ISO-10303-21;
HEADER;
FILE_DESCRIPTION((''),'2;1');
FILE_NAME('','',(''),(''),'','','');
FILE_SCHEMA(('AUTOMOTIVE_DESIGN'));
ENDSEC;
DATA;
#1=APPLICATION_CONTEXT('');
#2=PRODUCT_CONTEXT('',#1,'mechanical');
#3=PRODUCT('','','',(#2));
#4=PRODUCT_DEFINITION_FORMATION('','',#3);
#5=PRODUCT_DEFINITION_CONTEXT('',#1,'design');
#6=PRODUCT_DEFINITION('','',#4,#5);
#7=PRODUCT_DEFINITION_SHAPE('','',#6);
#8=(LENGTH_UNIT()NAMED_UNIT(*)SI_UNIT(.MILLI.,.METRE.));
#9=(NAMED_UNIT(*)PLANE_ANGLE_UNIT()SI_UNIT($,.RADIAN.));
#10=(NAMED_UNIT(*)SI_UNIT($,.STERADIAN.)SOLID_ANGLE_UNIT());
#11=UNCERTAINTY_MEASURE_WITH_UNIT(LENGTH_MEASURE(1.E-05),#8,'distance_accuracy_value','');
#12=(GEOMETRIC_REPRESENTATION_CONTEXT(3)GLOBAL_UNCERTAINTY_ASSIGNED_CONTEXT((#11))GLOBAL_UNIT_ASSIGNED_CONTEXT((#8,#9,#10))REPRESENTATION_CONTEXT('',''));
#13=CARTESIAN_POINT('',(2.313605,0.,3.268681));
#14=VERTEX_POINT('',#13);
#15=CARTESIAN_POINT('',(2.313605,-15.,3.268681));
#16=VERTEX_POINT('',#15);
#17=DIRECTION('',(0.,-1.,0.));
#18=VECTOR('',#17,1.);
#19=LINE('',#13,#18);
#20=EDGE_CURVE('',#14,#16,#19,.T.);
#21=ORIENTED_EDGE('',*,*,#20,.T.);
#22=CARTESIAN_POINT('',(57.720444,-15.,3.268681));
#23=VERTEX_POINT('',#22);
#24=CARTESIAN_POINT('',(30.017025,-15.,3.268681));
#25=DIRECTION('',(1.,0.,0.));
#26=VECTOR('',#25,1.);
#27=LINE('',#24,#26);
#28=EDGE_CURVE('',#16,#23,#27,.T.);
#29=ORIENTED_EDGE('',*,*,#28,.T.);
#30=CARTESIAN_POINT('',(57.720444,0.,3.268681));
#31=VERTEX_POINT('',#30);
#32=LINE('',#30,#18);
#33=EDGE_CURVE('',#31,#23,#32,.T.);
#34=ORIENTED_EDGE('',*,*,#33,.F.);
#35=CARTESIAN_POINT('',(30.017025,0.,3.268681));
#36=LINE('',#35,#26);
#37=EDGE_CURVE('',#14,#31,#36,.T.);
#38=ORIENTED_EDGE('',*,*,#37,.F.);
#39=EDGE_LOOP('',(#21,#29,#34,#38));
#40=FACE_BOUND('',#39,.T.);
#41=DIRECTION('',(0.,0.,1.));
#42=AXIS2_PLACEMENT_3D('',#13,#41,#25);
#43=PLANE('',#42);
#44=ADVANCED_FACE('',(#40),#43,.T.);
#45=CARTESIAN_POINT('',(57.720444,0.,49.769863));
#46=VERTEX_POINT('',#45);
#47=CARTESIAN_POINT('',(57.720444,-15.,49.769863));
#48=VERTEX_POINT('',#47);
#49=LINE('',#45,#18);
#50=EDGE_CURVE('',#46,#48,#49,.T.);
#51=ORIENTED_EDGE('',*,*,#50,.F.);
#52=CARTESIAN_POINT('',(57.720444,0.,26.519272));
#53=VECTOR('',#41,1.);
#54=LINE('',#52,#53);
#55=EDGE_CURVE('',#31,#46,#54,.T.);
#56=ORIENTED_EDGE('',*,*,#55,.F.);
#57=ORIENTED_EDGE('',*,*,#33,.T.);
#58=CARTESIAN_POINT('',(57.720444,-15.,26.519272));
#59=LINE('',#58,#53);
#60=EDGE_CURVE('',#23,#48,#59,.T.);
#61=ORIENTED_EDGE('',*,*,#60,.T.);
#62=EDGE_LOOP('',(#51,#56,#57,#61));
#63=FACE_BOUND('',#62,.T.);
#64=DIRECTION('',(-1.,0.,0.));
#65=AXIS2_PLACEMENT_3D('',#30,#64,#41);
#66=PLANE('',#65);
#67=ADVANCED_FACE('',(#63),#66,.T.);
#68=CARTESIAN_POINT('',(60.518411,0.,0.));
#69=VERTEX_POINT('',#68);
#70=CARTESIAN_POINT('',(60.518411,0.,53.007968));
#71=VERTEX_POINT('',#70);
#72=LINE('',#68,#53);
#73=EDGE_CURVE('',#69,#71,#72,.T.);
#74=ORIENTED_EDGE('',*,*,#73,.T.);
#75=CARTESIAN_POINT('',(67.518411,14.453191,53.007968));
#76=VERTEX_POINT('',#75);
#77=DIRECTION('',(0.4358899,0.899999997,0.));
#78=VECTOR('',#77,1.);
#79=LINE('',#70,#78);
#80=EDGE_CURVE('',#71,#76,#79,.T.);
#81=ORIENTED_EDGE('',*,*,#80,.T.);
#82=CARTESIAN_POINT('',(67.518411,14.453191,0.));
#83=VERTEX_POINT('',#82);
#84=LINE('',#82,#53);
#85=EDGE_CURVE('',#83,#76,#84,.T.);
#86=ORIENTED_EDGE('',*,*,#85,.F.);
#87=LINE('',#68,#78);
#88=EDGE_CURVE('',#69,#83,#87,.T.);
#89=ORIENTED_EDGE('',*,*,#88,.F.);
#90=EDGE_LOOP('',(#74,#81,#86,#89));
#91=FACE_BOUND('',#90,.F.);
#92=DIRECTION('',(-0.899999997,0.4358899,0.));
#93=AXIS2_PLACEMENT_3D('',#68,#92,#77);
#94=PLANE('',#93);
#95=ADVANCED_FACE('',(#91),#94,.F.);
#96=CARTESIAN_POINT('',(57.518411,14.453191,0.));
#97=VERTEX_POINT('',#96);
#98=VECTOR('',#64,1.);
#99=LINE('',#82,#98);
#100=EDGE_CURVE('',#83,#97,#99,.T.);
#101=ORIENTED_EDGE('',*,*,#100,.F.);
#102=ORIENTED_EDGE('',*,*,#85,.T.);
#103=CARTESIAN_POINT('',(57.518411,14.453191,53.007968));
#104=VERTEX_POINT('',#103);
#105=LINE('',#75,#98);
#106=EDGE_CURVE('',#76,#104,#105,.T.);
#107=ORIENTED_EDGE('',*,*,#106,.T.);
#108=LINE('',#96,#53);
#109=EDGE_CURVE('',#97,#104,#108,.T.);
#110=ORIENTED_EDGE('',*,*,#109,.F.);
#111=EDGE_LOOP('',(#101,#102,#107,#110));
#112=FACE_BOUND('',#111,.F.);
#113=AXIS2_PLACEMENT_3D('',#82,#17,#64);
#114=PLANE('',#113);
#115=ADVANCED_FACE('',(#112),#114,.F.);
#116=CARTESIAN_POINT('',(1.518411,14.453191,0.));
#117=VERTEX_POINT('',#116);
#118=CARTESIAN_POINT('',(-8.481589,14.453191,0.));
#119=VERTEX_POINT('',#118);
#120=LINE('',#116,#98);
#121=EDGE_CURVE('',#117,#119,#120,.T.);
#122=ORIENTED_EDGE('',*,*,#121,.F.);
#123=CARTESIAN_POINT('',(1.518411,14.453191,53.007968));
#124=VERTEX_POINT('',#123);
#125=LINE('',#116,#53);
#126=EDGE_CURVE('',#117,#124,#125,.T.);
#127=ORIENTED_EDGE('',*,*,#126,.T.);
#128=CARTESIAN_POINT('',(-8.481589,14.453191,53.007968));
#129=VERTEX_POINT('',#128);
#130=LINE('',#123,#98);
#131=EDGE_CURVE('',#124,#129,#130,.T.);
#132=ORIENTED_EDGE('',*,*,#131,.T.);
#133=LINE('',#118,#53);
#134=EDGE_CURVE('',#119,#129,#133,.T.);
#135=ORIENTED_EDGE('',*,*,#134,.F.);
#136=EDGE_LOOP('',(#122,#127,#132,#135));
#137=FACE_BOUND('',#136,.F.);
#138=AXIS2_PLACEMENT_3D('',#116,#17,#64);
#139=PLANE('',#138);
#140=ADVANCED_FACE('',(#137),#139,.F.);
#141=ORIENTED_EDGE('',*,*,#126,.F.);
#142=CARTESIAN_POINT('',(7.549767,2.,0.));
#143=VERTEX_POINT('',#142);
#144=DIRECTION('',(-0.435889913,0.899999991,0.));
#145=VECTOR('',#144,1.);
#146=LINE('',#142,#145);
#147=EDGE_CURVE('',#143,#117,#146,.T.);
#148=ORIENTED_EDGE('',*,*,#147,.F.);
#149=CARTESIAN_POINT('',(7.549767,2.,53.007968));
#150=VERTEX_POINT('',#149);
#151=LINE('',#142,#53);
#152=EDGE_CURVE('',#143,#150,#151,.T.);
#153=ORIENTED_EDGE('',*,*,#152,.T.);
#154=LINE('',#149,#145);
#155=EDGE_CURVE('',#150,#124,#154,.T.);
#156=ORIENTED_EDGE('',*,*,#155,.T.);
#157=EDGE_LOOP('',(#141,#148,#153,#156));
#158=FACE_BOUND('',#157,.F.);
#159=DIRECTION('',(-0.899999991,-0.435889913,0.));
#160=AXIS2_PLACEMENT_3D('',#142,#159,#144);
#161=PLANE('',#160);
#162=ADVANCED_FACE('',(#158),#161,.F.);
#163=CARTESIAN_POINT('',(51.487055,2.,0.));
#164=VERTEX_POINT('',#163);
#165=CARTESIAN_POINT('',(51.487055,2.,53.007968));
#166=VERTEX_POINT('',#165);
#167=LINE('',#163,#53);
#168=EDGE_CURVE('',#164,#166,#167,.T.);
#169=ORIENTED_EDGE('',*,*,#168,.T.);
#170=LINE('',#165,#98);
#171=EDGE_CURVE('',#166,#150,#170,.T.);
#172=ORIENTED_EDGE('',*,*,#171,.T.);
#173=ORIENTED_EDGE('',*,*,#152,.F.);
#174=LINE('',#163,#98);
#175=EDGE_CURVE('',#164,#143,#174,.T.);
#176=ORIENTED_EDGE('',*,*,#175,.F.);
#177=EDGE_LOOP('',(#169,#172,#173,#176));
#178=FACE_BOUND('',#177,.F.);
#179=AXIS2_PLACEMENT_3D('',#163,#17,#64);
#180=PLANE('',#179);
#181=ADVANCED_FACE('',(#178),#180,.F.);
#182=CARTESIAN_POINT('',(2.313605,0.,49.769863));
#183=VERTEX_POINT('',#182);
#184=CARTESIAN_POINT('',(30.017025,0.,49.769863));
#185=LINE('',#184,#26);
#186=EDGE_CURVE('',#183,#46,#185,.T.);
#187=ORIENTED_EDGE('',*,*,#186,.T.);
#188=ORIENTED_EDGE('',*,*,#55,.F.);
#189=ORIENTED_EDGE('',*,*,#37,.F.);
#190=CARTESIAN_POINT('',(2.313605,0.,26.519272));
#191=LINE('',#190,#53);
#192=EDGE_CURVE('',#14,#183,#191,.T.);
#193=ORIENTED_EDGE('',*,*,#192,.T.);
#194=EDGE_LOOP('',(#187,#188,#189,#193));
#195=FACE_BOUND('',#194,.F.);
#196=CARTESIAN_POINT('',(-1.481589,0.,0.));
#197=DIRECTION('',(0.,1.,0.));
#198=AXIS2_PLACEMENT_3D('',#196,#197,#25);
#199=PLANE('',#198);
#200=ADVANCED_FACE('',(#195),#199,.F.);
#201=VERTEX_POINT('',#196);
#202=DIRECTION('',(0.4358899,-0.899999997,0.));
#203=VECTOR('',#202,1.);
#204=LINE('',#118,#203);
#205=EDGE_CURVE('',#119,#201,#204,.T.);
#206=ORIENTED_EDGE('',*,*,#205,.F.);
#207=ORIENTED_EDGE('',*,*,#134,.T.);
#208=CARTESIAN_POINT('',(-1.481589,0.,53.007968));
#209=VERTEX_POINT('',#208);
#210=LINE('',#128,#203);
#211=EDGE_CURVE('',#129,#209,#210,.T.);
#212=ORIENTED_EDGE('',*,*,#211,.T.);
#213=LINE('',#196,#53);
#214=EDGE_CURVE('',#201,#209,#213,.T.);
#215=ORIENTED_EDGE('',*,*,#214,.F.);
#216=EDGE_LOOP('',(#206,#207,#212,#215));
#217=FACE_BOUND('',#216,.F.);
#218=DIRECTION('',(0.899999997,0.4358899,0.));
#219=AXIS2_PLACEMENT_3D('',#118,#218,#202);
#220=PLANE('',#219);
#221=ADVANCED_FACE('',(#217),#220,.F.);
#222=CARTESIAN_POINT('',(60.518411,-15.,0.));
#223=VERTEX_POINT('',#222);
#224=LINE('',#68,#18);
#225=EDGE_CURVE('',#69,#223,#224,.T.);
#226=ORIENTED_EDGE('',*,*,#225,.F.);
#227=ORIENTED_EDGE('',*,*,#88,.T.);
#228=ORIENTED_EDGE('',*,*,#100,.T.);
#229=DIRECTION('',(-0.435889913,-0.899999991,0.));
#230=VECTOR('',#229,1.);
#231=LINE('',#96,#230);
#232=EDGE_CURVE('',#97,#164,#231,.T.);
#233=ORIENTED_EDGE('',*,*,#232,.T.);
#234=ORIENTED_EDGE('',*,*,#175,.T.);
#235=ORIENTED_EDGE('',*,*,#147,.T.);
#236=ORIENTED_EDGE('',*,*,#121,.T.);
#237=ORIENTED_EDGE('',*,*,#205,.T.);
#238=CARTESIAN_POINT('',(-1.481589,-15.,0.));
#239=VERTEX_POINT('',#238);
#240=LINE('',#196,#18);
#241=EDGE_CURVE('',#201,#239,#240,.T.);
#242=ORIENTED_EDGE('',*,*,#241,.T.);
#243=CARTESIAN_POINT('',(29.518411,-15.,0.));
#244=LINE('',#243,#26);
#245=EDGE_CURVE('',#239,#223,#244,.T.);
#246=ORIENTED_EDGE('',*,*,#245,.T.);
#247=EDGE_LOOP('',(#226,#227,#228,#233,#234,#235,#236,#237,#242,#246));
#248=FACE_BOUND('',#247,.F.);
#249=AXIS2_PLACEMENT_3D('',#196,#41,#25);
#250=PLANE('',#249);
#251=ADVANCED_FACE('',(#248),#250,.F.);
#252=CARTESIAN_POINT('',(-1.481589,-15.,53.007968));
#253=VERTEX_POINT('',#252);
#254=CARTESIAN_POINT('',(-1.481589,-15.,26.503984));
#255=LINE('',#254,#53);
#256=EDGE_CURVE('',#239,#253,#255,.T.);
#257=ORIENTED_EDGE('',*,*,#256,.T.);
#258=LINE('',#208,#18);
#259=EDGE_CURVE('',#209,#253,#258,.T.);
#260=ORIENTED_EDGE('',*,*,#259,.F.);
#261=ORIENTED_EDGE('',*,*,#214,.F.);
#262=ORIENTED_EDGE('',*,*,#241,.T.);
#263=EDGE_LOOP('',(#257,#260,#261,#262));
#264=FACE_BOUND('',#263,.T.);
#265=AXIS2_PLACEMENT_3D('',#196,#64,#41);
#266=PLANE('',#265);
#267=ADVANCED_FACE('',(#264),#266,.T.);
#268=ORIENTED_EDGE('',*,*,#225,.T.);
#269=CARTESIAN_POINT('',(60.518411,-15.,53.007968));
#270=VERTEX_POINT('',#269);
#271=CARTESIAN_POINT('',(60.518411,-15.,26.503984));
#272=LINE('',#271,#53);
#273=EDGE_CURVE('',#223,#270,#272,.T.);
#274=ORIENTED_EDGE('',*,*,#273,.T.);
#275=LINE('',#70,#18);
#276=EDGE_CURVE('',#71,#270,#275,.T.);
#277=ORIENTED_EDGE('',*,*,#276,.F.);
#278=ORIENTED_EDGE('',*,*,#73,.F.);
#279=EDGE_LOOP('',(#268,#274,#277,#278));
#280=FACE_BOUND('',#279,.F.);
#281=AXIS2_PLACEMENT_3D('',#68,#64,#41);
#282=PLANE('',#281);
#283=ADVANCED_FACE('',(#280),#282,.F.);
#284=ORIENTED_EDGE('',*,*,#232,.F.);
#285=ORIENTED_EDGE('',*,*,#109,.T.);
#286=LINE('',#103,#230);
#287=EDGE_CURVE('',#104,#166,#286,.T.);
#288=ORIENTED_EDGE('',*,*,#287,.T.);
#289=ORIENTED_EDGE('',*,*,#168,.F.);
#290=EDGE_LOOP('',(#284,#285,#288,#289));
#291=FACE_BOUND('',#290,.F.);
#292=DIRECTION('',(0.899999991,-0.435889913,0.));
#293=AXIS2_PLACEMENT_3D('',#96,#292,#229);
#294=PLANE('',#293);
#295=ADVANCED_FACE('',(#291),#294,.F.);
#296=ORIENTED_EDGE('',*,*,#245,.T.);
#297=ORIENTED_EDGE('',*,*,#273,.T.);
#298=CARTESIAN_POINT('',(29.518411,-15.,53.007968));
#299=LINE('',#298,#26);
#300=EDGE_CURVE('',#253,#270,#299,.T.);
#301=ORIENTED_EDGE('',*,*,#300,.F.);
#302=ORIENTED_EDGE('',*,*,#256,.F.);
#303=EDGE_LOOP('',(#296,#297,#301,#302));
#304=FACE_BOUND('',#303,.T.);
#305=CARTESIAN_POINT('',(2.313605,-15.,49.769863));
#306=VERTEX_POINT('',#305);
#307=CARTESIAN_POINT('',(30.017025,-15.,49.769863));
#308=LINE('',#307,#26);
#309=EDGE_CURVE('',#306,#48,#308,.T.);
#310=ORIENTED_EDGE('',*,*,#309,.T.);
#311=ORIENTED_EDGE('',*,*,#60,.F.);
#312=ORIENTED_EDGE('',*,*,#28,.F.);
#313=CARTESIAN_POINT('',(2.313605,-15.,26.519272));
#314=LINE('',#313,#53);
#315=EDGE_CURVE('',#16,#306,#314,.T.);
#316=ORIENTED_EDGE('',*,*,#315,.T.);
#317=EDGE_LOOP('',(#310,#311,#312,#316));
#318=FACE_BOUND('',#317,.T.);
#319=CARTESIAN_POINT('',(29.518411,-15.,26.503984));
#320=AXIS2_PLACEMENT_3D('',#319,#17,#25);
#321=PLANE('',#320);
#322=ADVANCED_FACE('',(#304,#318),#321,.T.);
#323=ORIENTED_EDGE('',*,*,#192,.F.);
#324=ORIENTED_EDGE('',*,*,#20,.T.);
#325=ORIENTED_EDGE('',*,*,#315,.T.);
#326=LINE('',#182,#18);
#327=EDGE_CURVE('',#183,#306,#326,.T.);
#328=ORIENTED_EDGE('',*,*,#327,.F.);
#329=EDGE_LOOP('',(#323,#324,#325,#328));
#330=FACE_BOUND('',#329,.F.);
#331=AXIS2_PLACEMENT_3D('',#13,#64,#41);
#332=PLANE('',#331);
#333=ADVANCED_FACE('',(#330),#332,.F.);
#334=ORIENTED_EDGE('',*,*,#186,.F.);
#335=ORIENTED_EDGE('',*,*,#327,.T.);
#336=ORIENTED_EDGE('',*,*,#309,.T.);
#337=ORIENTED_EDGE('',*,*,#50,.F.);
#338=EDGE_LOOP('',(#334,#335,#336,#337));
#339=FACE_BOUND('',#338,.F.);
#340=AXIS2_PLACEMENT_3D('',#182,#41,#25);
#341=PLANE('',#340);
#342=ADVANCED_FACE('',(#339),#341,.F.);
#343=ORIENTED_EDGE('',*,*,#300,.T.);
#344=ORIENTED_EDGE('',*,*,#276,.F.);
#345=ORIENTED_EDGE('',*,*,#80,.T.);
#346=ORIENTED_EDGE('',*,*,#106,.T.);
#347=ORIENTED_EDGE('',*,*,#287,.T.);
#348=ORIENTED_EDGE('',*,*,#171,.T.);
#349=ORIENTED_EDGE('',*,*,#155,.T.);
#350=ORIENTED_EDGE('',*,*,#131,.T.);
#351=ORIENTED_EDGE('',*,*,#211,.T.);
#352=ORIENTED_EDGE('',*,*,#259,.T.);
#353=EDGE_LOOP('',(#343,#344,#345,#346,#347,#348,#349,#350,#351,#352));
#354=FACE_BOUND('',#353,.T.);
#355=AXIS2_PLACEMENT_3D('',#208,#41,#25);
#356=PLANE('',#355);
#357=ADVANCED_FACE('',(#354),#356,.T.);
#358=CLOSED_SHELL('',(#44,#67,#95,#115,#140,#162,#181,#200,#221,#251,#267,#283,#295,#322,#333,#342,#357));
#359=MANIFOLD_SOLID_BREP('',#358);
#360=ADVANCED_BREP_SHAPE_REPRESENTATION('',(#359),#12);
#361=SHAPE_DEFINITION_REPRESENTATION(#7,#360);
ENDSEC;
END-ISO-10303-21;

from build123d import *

# Parameters (mm, degrees)
F1_DEPTH = 53.007968
F2_W     = 62
F2_H     = 53.007968
F2_W_2   = 55.406839
F2_H_2   = 46.501182
F3_DEPTH = 15


with BuildPart() as f1:
    # F0 (on Top) → F1 (new body)
    with BuildSketch(Plane.XY):
        Polygon((-1.481589, 0), (0, 0), (60.518411, 0), (67.518411, 14.453191), (57.518411, 14.453191), (51.487055, 2), (7.549767, 2), (1.518411, 14.453191), (-8.481589, 14.453191), align=None)
    extrude(amount=F1_DEPTH)

    # F2 (on face) → F3 (join)
    with BuildSketch(Plane.XZ):
        with Locations((29.518411, 26.503984)):
            Rectangle(F2_W, F2_H)
        with Locations((30.017025, 26.519272)):
            Rectangle(F2_W_2, F2_H_2, mode=Mode.SUBTRACT)
    extrude(amount=F3_DEPTH)


solid = f1.part
